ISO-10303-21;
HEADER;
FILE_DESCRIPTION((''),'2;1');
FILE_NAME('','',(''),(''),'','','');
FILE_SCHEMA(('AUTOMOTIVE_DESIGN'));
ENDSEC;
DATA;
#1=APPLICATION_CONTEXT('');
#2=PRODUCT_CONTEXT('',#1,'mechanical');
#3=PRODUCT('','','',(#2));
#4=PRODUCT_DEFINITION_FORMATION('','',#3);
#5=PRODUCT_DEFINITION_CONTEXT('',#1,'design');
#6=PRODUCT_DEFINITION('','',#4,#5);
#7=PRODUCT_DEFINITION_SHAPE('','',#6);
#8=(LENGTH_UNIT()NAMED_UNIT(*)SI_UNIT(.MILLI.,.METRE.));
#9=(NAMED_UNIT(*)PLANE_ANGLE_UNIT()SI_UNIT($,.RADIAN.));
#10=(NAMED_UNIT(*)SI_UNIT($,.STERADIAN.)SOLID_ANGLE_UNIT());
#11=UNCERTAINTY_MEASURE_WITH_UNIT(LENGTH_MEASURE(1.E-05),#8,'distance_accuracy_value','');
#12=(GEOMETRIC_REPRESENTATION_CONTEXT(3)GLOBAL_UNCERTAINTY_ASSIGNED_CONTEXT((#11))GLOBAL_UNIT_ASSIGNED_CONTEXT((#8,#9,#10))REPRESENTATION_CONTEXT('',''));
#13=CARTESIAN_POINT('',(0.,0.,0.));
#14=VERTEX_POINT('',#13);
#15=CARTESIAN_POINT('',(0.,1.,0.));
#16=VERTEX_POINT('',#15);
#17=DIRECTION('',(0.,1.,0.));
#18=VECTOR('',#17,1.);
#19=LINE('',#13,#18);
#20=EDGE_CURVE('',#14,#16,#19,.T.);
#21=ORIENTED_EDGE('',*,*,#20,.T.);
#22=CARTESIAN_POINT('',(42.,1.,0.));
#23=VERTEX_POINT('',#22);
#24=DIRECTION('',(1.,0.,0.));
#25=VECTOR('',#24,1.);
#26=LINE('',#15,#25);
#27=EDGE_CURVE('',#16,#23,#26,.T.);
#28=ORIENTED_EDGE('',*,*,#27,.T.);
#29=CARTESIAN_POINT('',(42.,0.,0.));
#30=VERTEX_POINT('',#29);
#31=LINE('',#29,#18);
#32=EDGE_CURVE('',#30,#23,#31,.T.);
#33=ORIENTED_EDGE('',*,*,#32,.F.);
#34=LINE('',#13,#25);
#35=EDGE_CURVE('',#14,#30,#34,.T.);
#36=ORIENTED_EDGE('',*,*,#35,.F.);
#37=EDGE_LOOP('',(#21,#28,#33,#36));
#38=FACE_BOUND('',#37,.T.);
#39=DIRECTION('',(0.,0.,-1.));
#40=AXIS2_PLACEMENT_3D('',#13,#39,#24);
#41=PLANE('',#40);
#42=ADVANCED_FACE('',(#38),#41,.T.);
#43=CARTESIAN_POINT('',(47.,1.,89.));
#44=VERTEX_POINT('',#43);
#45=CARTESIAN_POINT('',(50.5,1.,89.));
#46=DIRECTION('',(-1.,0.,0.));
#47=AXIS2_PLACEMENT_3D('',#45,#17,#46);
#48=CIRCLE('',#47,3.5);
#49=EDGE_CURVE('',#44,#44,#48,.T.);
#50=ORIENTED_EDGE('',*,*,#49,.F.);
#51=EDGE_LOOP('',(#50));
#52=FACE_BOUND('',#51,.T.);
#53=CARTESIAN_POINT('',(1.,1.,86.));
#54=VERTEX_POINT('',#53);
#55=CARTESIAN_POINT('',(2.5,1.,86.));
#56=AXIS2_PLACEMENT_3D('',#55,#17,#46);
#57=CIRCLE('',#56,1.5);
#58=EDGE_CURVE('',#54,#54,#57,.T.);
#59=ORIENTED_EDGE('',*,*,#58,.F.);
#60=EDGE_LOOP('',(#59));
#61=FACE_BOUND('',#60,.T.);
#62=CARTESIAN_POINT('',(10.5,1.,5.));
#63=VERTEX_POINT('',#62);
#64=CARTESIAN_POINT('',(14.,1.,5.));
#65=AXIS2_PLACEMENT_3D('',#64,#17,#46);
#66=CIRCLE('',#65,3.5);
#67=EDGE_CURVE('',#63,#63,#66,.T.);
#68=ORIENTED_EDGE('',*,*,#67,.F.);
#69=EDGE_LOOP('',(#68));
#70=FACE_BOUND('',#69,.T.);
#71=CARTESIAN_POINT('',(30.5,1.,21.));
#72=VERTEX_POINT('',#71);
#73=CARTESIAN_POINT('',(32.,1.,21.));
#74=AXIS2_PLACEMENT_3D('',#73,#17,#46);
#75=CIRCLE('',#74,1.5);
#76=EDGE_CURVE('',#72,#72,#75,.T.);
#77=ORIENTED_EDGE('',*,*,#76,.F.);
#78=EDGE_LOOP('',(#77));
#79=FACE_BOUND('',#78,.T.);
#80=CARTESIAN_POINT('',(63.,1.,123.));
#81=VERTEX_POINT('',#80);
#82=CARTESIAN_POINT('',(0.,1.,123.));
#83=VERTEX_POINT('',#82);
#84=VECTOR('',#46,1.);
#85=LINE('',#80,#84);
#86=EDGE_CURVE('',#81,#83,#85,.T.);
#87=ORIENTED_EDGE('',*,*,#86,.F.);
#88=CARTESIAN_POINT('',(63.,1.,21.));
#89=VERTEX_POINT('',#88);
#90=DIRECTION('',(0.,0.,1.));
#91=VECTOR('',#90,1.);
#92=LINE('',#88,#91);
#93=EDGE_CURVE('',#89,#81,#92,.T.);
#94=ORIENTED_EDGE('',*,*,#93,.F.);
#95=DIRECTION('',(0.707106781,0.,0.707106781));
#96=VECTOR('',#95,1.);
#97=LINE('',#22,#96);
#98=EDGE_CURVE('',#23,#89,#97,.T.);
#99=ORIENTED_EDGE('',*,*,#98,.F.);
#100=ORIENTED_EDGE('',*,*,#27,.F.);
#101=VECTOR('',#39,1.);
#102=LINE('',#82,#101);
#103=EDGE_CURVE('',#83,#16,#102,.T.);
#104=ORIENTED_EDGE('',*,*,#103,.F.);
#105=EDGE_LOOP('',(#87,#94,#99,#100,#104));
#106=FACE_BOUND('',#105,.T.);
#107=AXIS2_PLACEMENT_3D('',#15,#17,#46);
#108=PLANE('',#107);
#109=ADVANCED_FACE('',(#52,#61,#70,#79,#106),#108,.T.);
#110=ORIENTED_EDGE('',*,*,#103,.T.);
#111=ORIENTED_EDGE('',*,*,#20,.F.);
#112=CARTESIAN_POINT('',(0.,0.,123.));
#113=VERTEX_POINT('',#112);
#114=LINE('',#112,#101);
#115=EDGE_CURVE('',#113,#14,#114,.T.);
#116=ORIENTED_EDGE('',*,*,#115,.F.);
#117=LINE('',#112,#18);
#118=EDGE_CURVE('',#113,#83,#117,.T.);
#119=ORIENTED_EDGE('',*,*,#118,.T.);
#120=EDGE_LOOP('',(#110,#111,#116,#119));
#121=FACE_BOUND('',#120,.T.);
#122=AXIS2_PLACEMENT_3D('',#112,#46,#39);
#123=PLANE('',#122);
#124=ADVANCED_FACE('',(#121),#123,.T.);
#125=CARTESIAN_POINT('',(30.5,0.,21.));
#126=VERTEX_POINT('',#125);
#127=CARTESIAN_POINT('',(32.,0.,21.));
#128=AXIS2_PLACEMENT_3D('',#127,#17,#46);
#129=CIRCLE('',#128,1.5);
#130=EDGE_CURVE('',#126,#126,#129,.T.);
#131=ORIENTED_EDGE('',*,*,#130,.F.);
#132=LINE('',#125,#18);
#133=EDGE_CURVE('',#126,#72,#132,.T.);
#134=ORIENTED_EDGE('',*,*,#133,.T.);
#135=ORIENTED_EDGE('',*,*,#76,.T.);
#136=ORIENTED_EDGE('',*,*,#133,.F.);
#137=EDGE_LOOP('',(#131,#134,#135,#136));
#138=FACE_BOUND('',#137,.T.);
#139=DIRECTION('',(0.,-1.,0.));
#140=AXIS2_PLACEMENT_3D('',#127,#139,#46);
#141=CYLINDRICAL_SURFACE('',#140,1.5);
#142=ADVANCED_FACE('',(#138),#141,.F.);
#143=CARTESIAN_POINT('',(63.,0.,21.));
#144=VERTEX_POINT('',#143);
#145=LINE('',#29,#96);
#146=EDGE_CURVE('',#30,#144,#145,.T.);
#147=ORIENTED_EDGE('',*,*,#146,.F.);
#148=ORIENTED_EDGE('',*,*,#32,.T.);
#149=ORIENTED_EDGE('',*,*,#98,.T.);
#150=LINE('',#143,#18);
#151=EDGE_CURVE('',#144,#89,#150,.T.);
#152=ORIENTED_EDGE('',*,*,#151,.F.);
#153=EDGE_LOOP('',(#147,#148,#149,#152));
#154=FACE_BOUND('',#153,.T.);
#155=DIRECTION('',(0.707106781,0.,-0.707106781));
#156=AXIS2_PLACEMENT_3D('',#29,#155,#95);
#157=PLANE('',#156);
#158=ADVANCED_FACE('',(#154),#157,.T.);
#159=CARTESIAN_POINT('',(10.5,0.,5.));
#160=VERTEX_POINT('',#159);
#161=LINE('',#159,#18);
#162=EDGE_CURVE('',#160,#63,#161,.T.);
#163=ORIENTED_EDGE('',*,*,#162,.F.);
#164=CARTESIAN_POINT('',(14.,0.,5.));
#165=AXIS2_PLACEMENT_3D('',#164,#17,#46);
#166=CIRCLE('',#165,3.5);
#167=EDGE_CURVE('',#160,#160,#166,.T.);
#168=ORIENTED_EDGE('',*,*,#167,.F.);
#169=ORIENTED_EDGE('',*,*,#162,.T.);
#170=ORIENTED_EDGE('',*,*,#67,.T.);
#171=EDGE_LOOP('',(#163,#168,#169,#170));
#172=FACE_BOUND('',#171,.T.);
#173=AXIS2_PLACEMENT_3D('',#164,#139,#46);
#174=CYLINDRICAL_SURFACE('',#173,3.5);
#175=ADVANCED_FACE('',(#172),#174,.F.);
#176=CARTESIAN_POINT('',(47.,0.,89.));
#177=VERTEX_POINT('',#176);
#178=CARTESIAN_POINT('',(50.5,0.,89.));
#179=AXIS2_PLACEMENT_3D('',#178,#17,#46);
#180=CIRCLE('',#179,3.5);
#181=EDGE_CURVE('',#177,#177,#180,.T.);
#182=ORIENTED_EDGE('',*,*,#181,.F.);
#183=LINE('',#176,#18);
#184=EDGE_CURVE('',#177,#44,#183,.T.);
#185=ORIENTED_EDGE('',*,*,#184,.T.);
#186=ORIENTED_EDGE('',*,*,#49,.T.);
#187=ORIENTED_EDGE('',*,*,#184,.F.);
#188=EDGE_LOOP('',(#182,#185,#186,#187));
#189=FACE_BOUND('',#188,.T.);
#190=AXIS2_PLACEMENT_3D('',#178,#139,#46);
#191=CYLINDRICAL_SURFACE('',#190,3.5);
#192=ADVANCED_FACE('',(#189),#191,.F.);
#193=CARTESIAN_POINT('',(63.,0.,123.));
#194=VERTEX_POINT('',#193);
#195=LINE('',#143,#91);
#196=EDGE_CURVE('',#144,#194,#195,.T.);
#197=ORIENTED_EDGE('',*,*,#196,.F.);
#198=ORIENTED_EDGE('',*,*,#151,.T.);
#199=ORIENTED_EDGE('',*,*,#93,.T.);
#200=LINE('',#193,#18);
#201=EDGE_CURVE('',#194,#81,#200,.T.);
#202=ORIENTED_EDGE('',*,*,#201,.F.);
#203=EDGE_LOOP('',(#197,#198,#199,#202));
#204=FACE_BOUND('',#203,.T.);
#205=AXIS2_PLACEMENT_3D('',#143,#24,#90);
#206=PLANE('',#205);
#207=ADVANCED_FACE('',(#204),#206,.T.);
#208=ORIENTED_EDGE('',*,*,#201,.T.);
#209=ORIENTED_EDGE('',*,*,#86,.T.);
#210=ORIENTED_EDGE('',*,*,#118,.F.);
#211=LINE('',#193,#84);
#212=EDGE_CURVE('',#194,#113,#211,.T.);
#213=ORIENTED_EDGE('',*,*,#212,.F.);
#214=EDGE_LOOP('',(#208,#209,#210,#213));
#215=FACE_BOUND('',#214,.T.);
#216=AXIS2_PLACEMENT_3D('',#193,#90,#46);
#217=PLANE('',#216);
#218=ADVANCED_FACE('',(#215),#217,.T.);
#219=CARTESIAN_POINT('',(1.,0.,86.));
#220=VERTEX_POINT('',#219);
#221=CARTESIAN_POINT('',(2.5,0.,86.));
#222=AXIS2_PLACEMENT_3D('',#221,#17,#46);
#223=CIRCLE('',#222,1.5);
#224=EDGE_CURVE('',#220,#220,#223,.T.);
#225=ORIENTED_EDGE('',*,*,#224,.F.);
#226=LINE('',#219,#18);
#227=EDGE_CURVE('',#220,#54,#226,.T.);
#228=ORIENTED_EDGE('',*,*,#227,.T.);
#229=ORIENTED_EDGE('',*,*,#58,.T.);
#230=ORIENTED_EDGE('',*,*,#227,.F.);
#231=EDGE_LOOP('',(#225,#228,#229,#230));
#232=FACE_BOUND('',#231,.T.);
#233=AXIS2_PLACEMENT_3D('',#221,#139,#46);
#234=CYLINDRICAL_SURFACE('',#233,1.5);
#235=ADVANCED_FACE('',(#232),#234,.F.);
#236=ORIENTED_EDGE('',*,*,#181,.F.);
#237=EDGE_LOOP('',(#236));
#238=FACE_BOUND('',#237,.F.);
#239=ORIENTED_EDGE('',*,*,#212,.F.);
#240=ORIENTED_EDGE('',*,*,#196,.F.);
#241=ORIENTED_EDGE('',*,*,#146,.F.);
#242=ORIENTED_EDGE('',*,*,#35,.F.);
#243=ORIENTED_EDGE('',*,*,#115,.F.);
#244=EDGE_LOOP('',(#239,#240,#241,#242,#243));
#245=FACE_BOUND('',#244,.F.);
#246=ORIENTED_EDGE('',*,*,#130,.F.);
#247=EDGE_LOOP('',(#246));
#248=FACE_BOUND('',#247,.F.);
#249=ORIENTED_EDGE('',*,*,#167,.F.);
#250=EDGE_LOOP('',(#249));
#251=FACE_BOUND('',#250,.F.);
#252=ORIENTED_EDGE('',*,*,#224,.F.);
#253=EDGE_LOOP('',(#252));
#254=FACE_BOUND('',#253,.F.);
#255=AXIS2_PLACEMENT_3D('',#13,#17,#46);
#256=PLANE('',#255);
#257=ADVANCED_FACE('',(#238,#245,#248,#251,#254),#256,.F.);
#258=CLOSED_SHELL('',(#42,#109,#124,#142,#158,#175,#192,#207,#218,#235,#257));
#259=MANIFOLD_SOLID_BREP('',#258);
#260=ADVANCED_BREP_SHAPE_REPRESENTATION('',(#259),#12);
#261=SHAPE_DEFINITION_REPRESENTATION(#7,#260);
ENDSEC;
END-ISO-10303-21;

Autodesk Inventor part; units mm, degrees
ref_plane "YZ Plane" through (0, 0, 0) normal (1, 0, 0) x (0, 1, 0)
ref_plane "XZ Plane" through (0, 0, 0) normal (0, 1, 0) x (-1, 0, 0)
ref_plane "XY Plane" through (0, 0, 0) normal (0, 0, 1) x (1, 0, 0)
sketch "Skizze1" plane through (0, 0, 0) normal (0, 1, 0) x (-1, 0, 0)
  line L0 (0, 0) -> (-42, 0)
  line L1 (-63, 21) -> (-63, 123)
  line L2 (-63, 123) -> (0, 123)
  line L3 (0, 123) -> (0, 0)
  line L4 (-42, 0) -> (-63, 21)
  line L5 (-42, 0) -> (-12.3015, 0) construction
  circle A0 centre (-14, 5) radius 3.5
  circle A1 centre (-32, 21) radius 1.5
  circle A2 centre (-2.5, 86) radius 1.5
  circle A3 centre (-50.5, 89) radius 3.5
  dimension "d0" = 63
  dimension "d1" = 102
  dimension "d2" = 135
  dimension "d3" = 42
  dimension "d4" = 7
  dimension "d5" = 3
  dimension "d6" = 3
  dimension "d7" = 7
  dimension "d8" = 2.5
  dimension "d9" = 37
  dimension "d10" = 14
  dimension "d11" = 5
  dimension "d12" = 21
  dimension "d13" = 32
  dimension "d14" = 12.5
  dimension "d15" = 34
extrude "Extrusion1" add sketch "Skizze1" along normal blind 1
properties part number "01_PCBoard"
